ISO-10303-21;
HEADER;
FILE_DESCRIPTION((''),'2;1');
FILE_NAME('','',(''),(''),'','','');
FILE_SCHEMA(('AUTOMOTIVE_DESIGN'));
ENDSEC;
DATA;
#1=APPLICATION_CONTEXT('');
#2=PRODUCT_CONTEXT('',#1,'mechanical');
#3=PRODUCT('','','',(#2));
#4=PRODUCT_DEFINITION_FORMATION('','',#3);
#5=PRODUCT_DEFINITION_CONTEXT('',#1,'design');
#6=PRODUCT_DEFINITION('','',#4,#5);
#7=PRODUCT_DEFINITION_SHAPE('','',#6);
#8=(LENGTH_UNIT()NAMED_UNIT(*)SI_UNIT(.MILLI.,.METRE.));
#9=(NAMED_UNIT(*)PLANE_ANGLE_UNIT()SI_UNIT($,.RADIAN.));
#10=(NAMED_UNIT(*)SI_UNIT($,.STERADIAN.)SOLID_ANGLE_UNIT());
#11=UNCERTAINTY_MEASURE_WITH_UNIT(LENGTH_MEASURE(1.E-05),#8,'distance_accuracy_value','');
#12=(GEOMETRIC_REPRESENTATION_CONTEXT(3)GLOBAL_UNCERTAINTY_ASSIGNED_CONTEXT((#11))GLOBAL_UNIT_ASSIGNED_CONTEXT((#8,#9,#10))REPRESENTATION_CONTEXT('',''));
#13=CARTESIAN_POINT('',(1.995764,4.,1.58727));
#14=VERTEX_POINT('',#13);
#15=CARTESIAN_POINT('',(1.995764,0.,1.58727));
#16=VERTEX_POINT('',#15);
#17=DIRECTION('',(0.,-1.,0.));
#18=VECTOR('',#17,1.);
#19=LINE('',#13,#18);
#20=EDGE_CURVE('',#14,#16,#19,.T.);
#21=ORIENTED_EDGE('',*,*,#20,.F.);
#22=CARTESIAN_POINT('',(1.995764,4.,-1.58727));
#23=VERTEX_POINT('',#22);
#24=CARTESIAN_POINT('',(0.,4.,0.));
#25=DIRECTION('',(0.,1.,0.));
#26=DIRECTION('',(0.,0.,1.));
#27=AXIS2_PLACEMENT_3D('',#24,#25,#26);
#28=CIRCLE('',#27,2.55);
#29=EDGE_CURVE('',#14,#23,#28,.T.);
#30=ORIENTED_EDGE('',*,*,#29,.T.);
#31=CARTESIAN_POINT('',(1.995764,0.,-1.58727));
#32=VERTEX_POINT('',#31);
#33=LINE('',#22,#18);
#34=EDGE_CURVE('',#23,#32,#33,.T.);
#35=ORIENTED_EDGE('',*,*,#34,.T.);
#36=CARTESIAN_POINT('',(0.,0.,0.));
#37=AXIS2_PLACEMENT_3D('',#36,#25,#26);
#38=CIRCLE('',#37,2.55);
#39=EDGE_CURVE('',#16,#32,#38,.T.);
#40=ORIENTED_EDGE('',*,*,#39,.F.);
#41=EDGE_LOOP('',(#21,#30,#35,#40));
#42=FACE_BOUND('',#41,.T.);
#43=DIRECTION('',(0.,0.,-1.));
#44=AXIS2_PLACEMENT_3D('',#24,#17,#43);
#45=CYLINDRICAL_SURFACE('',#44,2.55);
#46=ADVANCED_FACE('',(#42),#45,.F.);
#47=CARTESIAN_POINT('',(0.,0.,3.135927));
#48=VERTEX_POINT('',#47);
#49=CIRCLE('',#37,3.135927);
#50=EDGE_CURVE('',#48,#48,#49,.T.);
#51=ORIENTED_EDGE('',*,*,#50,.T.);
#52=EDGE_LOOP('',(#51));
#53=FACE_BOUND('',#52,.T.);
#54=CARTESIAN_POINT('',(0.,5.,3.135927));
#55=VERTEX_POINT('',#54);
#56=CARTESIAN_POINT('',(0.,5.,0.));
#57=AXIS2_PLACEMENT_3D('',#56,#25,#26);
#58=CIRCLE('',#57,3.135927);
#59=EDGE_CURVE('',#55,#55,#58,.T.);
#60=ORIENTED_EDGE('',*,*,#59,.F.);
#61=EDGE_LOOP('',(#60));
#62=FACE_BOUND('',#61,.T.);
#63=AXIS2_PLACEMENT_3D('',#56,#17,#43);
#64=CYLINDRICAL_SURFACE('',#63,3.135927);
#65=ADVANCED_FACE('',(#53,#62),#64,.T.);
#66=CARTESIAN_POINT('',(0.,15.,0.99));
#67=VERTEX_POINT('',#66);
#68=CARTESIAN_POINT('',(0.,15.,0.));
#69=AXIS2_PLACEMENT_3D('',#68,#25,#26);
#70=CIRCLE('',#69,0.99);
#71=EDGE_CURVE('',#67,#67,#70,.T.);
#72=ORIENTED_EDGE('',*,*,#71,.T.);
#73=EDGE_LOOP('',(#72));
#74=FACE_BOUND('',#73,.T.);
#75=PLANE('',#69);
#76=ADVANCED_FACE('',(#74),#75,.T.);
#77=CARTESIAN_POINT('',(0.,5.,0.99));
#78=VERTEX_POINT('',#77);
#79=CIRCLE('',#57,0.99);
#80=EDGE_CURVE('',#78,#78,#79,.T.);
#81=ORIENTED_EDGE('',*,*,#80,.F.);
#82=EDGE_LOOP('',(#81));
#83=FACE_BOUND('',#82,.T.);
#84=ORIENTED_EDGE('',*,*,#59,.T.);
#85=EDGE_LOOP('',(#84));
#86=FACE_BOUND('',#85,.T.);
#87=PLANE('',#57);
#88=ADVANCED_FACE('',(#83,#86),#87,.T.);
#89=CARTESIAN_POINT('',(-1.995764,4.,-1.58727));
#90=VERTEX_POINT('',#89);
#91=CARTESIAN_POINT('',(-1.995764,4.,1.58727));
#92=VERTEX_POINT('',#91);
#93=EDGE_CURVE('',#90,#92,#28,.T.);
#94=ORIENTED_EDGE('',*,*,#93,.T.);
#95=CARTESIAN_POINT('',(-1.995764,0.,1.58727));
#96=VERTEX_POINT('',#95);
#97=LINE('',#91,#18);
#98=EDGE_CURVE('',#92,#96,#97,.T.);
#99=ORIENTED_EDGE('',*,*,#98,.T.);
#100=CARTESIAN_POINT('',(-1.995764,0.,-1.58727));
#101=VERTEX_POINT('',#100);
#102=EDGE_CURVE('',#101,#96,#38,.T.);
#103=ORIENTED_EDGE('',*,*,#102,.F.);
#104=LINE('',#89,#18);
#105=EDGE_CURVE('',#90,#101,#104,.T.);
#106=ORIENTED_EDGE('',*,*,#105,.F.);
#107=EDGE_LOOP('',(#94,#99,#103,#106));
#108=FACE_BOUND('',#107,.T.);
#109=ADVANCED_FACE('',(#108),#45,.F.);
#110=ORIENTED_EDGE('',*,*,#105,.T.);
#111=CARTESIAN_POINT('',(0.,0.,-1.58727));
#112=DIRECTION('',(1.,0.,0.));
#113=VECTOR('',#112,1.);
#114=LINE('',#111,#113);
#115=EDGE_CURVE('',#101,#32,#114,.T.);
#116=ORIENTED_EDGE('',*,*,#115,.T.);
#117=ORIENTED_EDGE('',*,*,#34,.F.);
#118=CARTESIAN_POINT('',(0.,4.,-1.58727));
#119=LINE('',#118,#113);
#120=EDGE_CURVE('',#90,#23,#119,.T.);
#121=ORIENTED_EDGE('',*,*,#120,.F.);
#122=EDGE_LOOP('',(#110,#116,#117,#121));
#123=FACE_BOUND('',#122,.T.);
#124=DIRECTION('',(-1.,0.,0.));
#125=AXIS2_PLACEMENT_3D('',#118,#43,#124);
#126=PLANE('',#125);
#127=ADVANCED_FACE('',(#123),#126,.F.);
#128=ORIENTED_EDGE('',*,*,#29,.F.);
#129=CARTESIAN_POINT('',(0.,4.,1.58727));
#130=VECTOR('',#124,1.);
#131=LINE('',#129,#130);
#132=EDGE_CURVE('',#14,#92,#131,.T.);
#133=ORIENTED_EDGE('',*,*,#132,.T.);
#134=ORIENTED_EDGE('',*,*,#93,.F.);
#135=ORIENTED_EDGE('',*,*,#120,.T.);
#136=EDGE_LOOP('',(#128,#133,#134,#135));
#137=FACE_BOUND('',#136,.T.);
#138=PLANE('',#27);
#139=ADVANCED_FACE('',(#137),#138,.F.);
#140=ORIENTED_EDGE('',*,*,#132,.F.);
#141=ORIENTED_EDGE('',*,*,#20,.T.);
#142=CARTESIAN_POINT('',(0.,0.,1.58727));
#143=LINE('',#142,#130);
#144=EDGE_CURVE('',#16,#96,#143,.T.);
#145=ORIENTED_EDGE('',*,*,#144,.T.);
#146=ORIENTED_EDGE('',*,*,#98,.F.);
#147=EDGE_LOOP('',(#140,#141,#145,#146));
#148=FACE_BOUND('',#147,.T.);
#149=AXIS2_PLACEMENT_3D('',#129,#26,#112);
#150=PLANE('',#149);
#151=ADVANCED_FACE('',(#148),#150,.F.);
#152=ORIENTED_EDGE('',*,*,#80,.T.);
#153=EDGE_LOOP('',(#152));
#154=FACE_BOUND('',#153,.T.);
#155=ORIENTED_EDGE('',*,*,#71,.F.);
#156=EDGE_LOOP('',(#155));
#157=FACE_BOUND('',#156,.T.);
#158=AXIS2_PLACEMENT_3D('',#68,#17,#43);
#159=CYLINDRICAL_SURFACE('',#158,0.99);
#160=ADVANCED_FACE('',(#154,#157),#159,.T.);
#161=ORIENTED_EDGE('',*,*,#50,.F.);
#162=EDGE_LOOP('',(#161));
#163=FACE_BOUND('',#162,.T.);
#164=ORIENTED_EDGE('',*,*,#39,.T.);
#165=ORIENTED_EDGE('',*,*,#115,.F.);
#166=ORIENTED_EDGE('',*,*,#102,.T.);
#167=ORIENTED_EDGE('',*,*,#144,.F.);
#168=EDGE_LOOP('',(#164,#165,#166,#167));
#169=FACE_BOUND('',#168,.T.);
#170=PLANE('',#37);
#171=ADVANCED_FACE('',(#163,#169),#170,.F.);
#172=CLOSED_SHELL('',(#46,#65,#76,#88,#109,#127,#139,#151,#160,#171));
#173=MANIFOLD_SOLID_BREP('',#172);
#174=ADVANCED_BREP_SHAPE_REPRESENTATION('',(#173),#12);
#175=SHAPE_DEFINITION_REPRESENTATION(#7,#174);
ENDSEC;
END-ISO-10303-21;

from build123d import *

# Parameters (mm, degrees)
SKETCH1_R           = 3.135927073
SKETCH1_R_2         = 2.01
BOSS_EXTRUDE1_DEPTH = 5
CUT_EXTRUDE4_DEPTH  = 4
SKETCH4_R           = 0.99
BOSS_EXTRUDE3_DEPTH = 10


with BuildPart() as part:
    # Sketch1 → Boss-Extrude1 (new body)
    # profile 1 of 4: a face of its own
    with BuildSketch(Plane(origin=(0, 0, 0), x_dir=(1, 0, 0), z_dir=(0, 1, 0))):
        with Locations(Location((0, 0, 0), (0, 0, 270))):
            Circle(SKETCH1_R)
        Circle(SKETCH1_R_2, mode=Mode.SUBTRACT)
    # profile 2 of 4: a face of its own
    with BuildSketch(Plane(origin=(0, 0, 0), x_dir=(1, 0, 0), z_dir=(0, 1, 0))):
        with BuildLine():
            Line((1.48610851, 1.353359337), (-1.48610851, 1.353359337))
            ThreePointArc((-1.48610851, 1.353359337), (-2.009995593, 0.004208893), (-1.491763272, -1.347123729))
            Line((-1.491763272, -1.347123729), (1.491763272, -1.347123729))
            ThreePointArc((1.491763272, -1.347123729), (1.875972305, -0.721684081), (2.01, 0))
            ThreePointArc((2.01, 0), (1.874457002, 0.725610741), (1.48610851, 1.353359337))
        make_face()
    # profile 3 of 4: a face of its own
    with BuildSketch(Plane(origin=(0, 0, 0), x_dir=(1, 0, 0), z_dir=(0, 1, 0))):
        with BuildLine():
            ThreePointArc((1.48610851, 1.353359337), (0, 2.01), (-1.48610851, 1.353359337))
            Line((-1.48610851, 1.353359337), (1.48610851, 1.353359337))
        make_face()
    # profile 4 of 4: a face of its own
    with BuildSketch(Plane(origin=(0, 0, 0), x_dir=(1, 0, 0), z_dir=(0, 1, 0))):
        with BuildLine():
            Line((1.491763272, -1.347123729), (-1.491763272, -1.347123729))
            ThreePointArc((-1.491763272, -1.347123729), (0, -2.01), (1.491763272, -1.347123729))
        make_face()
    extrude(amount=BOSS_EXTRUDE1_DEPTH)

    # Sketch2 → Cut-Extrude4 (cut)
    with BuildSketch(Plane(origin=(0, 0, 0), x_dir=(1, 0, 0), z_dir=(0, 1, 0))):
        with BuildLine():
            Line((-1.995763722, -1.58727035), (1.995763722, -1.58727035))
            ThreePointArc((1.995763722, -1.58727035), (2.407456904, -0.840625514), (2.55, 0))
            ThreePointArc((2.55, 0), (2.407456904, 0.840625514), (1.995763722, 1.58727035))
            Line((1.995763722, 1.58727035), (-1.995763722, 1.58727035))
            ThreePointArc((-1.995763722, 1.58727035), (-2.55, 0), (-1.995763722, -1.58727035))
        make_face()
    extrude(amount=CUT_EXTRUDE4_DEPTH, mode=Mode.SUBTRACT)

    # Sketch4 → Boss-Extrude3 (add)
    with BuildSketch(Plane(origin=(0, 5, 0), x_dir=(1, 0, 0), z_dir=(0, 1, 0))):
        with Locations(Location((0, 0, 0), (0, 0, 270))):
            Circle(SKETCH4_R)
    extrude(amount=BOSS_EXTRUDE3_DEPTH)


solid = part.part
